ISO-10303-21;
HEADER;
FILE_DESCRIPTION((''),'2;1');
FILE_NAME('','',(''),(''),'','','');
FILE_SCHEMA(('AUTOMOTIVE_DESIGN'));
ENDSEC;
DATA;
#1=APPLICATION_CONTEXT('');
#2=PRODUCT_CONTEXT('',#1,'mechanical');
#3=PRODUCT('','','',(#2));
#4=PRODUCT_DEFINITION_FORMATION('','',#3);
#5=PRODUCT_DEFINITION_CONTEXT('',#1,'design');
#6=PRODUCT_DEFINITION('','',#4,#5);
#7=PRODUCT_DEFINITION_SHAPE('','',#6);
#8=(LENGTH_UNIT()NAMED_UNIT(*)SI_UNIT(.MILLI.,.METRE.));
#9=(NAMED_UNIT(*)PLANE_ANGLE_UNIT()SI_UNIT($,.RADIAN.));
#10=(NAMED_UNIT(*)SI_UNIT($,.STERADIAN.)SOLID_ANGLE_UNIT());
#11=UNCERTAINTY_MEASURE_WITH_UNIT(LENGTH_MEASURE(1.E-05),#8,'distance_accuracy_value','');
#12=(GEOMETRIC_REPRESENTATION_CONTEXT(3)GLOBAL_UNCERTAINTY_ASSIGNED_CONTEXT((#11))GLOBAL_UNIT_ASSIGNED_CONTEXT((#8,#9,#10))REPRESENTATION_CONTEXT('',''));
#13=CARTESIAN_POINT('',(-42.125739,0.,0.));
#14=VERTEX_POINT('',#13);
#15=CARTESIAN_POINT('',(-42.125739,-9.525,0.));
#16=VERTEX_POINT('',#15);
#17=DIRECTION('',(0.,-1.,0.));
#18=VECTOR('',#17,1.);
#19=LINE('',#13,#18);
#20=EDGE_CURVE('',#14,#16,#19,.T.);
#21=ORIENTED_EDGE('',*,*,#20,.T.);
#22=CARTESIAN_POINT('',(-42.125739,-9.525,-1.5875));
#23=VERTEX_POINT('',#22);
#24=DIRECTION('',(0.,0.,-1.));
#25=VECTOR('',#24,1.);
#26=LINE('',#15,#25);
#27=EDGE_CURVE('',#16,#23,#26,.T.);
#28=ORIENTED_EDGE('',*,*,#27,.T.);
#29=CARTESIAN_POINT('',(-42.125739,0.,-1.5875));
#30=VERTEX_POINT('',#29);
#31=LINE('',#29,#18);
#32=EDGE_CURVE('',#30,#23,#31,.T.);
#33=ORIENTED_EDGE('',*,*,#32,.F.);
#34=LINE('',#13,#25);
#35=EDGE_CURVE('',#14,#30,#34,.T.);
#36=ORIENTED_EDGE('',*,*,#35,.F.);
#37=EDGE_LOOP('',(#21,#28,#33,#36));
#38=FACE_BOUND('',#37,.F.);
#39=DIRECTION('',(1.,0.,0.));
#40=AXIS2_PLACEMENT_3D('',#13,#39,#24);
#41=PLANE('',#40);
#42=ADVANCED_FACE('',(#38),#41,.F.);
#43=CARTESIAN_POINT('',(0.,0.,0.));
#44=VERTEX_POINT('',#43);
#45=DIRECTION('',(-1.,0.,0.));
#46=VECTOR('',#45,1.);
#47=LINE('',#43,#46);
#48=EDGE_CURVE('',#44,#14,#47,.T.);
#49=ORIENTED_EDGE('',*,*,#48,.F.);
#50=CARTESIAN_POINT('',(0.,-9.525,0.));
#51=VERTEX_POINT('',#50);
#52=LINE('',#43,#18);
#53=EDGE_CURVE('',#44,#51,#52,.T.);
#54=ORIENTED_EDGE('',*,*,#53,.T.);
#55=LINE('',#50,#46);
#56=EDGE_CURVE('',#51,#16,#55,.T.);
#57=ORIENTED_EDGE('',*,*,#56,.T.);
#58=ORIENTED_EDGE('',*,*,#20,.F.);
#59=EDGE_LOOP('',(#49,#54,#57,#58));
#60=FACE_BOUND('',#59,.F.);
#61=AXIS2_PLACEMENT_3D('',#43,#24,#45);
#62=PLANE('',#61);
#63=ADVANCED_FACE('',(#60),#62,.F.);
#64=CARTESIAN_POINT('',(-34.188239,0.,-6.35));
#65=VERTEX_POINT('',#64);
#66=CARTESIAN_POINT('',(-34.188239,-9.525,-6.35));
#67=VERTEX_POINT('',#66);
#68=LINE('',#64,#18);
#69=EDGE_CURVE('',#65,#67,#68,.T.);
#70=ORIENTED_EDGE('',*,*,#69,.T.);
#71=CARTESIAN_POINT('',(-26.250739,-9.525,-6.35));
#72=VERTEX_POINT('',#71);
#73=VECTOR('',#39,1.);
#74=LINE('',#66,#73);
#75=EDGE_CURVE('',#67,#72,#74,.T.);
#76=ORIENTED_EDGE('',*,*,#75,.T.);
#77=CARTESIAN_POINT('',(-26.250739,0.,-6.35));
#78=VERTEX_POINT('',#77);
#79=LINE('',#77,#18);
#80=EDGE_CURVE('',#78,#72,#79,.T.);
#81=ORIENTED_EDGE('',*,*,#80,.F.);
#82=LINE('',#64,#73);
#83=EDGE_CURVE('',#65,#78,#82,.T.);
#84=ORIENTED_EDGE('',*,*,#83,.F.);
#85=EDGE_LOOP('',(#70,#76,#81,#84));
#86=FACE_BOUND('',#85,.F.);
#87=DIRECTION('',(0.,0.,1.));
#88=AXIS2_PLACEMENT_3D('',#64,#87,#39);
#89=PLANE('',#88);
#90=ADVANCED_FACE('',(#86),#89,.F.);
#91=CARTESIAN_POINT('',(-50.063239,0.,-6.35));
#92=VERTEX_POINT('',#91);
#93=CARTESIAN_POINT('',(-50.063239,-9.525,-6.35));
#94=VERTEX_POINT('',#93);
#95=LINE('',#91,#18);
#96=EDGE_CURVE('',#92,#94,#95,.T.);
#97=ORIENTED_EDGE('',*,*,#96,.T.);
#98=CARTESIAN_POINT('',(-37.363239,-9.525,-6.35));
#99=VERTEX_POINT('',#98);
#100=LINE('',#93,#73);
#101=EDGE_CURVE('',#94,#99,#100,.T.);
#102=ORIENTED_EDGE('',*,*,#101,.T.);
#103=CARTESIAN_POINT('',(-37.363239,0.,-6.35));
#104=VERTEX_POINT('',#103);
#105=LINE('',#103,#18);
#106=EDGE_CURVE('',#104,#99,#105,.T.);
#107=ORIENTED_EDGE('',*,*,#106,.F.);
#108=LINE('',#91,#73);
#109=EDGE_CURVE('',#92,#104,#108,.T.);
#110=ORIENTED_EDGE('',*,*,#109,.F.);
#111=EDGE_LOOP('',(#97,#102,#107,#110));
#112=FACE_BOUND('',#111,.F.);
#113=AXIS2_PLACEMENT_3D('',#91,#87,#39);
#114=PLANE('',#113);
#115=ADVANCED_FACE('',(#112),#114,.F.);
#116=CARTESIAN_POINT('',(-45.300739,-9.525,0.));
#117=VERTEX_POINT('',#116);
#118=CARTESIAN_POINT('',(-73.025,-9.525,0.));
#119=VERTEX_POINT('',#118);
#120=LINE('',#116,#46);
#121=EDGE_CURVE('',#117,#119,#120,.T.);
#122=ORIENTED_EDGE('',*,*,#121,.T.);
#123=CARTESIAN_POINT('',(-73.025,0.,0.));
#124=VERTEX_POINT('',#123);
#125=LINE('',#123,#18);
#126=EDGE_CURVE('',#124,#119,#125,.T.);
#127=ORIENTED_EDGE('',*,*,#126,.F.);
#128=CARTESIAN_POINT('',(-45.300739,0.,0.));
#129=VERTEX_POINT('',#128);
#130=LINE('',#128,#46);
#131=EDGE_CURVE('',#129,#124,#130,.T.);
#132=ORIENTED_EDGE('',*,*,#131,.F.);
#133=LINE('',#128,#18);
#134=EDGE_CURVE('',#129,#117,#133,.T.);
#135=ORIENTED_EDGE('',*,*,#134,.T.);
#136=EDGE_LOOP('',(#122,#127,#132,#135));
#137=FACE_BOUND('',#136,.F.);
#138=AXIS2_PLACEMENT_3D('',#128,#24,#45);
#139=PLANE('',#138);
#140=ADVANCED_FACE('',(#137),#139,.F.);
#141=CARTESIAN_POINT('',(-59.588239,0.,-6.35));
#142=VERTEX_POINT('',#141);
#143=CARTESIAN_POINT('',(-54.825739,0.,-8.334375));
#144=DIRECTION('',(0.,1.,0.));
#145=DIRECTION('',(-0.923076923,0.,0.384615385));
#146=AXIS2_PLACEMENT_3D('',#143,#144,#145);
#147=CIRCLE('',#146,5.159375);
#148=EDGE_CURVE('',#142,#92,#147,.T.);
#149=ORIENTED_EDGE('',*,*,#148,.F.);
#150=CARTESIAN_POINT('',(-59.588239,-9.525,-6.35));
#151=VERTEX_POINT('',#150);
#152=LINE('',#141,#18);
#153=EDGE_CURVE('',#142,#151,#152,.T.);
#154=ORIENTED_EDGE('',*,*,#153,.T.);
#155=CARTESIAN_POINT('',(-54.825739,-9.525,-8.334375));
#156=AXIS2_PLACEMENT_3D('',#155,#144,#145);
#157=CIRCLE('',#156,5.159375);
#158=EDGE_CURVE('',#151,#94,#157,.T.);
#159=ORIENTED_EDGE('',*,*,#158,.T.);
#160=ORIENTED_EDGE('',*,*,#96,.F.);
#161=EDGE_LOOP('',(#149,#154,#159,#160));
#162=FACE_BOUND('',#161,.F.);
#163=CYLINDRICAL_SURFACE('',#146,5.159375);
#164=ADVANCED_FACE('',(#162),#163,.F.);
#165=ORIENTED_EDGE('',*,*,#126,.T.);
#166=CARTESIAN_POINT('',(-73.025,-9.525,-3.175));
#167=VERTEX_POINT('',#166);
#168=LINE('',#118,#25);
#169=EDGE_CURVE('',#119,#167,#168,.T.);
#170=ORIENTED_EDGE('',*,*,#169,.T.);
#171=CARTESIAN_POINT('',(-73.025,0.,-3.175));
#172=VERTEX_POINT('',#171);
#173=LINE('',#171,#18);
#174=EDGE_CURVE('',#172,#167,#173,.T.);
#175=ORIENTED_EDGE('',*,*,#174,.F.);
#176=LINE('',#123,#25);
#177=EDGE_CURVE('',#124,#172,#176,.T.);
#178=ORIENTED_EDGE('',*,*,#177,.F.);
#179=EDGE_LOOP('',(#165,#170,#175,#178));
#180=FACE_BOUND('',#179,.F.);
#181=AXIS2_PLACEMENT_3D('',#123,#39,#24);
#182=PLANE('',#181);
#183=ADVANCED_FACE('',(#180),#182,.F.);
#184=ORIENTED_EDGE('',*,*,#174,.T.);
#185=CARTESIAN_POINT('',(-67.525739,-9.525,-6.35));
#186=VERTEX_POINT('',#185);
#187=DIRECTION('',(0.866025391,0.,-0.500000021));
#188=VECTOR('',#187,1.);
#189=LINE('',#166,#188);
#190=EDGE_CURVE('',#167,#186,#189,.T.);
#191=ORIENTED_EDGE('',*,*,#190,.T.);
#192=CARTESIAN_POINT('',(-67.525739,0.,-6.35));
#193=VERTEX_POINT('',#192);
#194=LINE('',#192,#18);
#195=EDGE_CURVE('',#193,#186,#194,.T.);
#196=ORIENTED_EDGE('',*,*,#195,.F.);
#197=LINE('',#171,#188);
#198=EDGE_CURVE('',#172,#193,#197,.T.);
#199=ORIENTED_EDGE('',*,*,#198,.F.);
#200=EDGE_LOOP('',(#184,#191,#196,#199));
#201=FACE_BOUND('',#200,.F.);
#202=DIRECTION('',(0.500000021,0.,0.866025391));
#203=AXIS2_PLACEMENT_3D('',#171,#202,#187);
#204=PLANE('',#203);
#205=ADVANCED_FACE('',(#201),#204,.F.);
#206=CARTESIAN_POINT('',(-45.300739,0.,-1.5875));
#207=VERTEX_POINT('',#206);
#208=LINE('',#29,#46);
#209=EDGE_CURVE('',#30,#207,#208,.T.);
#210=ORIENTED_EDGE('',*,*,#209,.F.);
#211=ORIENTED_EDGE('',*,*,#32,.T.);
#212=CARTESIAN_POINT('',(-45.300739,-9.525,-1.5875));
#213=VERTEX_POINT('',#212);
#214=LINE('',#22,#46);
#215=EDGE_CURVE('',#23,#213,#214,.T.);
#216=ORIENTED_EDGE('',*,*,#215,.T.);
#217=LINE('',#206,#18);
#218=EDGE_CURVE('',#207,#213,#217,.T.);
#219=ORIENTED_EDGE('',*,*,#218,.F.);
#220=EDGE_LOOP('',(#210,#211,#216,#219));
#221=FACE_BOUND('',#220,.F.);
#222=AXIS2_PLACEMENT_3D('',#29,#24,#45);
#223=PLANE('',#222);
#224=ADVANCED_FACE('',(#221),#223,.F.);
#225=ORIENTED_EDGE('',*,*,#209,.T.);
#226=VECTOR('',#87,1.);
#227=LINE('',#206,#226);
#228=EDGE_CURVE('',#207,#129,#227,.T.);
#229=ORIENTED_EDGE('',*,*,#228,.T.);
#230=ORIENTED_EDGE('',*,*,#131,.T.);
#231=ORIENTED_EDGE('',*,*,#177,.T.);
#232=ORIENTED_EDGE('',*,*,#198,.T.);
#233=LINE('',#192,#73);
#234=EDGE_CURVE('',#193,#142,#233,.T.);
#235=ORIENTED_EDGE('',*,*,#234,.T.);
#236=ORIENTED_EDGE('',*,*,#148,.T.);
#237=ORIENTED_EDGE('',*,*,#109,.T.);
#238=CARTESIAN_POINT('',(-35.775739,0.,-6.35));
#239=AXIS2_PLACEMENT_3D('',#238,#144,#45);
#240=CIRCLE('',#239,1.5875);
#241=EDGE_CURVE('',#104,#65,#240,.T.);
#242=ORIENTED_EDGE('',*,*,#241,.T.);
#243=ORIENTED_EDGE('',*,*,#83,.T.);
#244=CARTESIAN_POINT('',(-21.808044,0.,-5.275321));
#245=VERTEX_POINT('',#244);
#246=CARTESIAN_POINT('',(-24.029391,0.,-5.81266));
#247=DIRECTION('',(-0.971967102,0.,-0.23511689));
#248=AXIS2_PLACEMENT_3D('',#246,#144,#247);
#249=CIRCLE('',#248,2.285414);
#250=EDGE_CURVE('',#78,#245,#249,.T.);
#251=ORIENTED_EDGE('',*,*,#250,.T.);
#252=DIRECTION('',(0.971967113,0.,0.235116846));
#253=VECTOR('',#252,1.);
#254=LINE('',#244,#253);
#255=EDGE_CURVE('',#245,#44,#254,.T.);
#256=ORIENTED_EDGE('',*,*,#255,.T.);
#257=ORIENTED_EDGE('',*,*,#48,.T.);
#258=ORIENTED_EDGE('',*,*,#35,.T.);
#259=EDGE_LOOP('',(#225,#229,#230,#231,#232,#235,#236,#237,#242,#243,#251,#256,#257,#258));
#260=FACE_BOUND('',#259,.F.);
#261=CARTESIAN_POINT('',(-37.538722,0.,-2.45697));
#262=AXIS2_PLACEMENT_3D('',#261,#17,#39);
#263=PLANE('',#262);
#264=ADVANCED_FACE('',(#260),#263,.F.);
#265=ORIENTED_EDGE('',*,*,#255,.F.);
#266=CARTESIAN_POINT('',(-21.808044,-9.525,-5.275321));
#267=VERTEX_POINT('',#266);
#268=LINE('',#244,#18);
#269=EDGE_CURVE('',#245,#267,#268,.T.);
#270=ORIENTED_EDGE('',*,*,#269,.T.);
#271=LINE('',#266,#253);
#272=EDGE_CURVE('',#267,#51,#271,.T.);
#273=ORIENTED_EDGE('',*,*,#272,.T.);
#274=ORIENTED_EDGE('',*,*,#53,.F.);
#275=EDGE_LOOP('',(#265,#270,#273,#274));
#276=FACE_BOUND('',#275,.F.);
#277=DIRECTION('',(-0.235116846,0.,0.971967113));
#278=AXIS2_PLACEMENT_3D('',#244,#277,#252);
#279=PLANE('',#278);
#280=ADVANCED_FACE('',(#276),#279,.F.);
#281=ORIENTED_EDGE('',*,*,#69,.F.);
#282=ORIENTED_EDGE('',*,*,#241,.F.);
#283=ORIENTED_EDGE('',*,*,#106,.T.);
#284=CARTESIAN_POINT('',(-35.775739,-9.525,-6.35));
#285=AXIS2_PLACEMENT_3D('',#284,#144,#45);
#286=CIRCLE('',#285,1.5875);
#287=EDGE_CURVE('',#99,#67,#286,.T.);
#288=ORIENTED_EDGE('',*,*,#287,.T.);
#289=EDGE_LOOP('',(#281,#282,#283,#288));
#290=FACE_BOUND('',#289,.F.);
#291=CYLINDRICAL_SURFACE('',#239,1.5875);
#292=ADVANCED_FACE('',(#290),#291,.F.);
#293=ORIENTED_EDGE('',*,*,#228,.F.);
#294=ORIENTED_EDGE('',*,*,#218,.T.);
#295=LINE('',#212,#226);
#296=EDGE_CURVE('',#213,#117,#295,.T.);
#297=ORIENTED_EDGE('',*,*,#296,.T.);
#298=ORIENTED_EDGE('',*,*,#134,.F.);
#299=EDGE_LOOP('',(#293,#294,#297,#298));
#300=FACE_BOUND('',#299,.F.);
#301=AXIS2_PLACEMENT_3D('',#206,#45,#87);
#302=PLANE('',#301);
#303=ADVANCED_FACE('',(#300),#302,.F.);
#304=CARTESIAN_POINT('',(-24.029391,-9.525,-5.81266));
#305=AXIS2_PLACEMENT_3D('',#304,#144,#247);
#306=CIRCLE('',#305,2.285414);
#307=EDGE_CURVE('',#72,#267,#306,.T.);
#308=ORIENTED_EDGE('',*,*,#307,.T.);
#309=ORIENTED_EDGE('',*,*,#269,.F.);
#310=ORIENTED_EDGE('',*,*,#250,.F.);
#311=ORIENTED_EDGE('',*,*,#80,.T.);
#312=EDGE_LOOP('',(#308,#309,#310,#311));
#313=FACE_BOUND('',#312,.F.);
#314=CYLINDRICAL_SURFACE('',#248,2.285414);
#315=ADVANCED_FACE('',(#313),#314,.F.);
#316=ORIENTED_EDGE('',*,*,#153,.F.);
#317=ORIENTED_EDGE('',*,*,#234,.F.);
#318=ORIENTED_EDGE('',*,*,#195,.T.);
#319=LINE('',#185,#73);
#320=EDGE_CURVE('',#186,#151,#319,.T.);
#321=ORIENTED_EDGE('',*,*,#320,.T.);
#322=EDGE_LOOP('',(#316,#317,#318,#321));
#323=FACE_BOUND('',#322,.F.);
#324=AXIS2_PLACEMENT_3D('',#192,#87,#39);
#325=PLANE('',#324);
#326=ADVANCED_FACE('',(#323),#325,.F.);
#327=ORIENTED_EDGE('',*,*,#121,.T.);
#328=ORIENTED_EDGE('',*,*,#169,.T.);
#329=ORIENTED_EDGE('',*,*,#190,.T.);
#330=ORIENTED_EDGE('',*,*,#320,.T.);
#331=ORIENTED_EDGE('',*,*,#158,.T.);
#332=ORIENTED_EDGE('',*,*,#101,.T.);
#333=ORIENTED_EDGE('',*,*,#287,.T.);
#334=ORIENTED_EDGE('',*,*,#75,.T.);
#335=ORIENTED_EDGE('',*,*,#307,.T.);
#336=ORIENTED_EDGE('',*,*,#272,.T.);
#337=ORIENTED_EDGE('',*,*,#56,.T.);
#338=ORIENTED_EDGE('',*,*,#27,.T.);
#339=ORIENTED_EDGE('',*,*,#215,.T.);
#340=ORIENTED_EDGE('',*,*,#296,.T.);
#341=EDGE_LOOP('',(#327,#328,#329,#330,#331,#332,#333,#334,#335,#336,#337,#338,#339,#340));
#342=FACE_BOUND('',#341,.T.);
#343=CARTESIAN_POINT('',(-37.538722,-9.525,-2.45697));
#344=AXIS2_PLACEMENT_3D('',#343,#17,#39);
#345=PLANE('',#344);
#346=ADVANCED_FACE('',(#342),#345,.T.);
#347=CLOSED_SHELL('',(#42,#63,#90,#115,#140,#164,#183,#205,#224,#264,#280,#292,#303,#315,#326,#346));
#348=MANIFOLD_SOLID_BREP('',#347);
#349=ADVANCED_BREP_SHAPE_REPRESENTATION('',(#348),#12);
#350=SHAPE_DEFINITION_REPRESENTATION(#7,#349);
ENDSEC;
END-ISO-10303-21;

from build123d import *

# Parameters (mm, degrees)
F1_DEPTH = 9.525


with BuildPart() as f1:
    # F0 (on Front) → F1 (new body)
    with BuildSketch(Plane.XZ):
        with BuildLine():
            Line((-21.808044, -5.275321), (0, 0))
            Line((0, 0), (-42.125739, 0))
            Line((-42.125739, 0), (-42.125739, -1.5875))
            Line((-42.125739, -1.5875), (-45.300739, -1.5875))
            Line((-45.300739, -1.5875), (-45.300739, 0))
            Line((-45.300739, 0), (-73.025, 0))
            Line((-73.025, 0), (-73.025, -3.175))
            Line((-73.025, -3.175), (-67.525739, -6.35))
            Line((-67.525739, -6.35), (-59.588239, -6.35))
            ThreePointArc((-59.588239, -6.35), (-54.825739, -3.175), (-50.063239, -6.35))
            Line((-50.063239, -6.35), (-37.363239, -6.35))
            ThreePointArc((-37.363239, -6.35), (-35.775739, -4.7625), (-34.188239, -6.35))
            Line((-34.188239, -6.35), (-26.250739, -6.35))
            ThreePointArc((-26.250739, -6.35), (-24.566731, -3.591313), (-21.808044, -5.275321))
        make_face()
    extrude(amount=F1_DEPTH)


solid = f1.part
